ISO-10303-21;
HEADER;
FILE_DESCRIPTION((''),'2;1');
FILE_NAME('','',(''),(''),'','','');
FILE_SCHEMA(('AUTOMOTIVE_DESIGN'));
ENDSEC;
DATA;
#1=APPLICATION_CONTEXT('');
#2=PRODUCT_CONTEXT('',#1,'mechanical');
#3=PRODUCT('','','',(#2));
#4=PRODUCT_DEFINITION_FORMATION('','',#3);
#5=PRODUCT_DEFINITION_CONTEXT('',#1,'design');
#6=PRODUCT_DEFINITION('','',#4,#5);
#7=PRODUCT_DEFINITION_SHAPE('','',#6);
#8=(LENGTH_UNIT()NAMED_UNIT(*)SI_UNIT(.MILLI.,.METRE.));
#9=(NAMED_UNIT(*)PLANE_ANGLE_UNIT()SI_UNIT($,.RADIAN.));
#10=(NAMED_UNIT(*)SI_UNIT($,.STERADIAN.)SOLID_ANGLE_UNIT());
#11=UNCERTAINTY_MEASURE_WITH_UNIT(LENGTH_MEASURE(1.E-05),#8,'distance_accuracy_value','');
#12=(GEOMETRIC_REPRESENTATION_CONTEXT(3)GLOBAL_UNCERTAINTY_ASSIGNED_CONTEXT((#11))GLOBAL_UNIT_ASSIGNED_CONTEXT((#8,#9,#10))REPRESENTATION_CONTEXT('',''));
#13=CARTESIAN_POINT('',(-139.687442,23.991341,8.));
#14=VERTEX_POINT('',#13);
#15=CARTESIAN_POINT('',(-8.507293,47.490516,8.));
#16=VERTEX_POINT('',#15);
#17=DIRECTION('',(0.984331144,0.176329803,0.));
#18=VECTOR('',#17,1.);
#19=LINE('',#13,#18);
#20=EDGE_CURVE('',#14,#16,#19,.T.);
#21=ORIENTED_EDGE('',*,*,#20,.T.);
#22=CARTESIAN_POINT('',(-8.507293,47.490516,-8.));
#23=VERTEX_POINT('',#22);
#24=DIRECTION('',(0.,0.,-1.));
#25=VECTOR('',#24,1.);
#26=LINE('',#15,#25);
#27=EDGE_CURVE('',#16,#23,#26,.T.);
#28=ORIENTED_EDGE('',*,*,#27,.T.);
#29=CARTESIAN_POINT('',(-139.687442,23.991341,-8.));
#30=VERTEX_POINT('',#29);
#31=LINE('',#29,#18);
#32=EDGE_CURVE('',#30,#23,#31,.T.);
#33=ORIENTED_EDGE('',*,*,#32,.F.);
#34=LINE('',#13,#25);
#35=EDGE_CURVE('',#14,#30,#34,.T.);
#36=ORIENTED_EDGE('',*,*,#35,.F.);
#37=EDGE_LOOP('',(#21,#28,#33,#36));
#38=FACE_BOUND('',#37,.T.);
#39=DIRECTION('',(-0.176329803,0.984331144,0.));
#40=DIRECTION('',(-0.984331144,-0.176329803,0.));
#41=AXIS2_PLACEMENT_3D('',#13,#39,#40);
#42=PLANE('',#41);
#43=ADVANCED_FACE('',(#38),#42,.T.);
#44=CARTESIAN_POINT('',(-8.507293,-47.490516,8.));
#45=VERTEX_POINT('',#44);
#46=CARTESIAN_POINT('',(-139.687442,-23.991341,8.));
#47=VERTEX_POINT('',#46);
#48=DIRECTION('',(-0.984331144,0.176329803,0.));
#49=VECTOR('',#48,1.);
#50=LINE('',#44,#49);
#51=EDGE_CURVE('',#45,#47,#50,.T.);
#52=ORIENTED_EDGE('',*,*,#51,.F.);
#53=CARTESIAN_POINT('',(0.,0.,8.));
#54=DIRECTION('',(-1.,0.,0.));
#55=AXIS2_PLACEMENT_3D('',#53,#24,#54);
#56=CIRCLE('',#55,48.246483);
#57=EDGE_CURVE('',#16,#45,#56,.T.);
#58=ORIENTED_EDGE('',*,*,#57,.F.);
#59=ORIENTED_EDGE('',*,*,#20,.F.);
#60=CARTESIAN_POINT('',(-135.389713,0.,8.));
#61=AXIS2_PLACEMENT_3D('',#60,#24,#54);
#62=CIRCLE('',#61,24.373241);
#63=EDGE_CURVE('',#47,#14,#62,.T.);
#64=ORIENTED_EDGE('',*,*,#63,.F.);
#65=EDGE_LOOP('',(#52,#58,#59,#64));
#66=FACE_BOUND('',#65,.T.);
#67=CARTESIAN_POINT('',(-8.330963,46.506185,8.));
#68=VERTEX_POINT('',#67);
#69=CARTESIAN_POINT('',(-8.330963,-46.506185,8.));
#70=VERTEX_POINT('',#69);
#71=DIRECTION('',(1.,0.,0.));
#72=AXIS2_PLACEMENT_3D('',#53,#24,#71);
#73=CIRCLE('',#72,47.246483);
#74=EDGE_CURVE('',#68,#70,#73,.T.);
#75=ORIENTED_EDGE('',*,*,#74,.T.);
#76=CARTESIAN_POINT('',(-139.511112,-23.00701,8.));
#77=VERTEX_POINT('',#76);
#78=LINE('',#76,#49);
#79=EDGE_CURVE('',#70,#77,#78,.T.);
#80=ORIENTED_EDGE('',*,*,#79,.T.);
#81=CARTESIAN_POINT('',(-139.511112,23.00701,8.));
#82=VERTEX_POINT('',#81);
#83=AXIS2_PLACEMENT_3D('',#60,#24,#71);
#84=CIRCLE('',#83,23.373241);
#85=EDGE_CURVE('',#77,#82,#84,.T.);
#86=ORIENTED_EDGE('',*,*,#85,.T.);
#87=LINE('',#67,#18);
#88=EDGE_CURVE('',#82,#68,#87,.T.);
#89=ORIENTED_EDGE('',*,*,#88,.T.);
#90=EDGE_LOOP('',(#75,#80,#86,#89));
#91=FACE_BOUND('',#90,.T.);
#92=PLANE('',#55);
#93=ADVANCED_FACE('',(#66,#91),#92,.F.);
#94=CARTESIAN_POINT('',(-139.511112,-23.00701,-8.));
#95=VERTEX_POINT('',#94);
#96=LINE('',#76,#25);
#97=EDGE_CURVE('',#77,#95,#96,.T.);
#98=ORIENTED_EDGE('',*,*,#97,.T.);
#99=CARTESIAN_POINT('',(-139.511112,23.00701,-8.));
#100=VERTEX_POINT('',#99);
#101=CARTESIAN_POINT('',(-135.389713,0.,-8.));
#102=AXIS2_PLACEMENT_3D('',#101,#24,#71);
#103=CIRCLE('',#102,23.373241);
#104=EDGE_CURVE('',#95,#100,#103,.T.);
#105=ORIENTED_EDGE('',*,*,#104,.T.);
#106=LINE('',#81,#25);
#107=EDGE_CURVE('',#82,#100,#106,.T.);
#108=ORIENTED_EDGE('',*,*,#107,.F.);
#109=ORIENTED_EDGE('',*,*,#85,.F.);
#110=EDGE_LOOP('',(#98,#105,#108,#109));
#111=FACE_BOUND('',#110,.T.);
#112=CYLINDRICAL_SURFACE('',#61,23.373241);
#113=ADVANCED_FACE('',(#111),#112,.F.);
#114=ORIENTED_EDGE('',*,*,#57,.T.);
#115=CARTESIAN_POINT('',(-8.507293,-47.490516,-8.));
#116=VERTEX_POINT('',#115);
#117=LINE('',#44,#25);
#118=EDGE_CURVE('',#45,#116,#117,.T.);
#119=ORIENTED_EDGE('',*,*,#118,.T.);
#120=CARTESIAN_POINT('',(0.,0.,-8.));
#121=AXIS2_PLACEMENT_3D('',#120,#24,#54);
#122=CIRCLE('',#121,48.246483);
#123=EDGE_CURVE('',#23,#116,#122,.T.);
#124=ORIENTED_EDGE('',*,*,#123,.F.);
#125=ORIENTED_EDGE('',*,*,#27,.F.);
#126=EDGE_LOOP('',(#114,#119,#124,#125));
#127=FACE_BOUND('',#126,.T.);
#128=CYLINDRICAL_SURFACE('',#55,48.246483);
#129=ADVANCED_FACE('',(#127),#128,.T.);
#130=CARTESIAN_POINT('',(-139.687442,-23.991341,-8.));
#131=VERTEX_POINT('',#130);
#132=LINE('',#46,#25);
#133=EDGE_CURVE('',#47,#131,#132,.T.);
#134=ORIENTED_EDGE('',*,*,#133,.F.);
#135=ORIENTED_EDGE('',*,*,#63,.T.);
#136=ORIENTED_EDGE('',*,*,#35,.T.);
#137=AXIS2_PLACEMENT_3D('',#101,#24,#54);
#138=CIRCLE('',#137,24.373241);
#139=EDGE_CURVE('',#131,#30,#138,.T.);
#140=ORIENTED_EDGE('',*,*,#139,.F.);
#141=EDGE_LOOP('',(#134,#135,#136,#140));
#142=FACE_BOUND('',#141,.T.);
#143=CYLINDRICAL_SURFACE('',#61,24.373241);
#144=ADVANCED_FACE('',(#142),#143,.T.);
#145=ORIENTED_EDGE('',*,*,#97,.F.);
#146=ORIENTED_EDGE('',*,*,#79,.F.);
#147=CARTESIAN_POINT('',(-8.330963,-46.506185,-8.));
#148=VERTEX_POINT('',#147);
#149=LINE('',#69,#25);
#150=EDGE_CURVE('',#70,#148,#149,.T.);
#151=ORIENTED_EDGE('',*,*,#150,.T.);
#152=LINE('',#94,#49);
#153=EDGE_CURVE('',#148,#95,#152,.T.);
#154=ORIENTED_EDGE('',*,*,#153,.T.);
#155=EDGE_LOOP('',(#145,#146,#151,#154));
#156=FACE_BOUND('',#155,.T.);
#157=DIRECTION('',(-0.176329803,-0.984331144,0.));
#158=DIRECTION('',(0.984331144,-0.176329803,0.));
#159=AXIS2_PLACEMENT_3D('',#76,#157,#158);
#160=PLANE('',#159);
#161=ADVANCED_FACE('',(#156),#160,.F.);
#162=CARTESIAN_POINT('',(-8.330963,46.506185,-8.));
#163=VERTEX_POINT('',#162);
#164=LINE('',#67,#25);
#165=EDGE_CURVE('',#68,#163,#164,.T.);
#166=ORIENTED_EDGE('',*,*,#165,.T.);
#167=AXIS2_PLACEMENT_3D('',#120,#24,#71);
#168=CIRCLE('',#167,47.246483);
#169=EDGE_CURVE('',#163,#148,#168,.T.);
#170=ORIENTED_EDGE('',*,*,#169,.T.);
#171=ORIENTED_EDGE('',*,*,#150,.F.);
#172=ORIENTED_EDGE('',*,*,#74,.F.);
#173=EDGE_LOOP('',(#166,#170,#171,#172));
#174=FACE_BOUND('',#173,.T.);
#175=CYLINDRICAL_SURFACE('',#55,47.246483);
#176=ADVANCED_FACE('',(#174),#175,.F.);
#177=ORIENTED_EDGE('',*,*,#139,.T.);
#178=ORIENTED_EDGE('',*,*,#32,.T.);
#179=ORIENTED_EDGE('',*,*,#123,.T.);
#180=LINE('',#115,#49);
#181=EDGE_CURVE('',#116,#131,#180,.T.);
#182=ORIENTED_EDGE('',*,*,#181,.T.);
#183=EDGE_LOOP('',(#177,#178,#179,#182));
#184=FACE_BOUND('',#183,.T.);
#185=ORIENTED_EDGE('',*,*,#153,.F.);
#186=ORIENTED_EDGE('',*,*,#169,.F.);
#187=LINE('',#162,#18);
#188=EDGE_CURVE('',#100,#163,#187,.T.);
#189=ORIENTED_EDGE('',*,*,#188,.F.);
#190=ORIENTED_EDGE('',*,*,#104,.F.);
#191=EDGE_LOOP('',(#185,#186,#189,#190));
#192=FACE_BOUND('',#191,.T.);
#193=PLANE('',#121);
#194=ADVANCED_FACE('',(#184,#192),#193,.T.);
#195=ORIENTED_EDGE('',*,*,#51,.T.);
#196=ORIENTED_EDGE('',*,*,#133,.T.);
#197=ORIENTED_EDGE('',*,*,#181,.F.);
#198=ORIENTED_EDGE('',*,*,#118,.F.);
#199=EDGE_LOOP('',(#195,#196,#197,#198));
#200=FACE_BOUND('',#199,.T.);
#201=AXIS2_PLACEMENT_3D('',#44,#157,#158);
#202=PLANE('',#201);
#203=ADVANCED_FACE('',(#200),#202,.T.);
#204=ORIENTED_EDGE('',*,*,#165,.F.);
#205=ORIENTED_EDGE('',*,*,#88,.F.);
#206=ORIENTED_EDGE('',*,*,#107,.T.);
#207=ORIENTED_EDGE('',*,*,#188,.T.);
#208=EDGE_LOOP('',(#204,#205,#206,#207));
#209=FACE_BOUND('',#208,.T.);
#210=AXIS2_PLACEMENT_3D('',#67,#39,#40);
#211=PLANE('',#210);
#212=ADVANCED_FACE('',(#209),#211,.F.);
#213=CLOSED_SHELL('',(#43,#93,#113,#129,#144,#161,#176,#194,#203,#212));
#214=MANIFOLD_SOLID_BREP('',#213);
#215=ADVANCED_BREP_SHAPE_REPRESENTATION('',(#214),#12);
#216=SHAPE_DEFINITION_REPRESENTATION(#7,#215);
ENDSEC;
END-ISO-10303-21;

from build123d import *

# Parameters (mm, degrees)
BOSS_EXTRUDE1_DEPTH = 16


with BuildPart() as part:
    # Sketch1 → Boss-Extrude1 (new body)
    with BuildSketch(Plane(origin=(0, 0, -8), x_dir=(-1, 0, 0), z_dir=(0, 0, -1))):
        with BuildLine():
            Line((8.507292851, -47.490515719), (139.687441775, -23.991340645))
            ThreePointArc((139.687441775, -23.991340645), (159.762954363, 0), (139.687441775, 23.991340645))
            Line((139.687441775, 23.991340645), (8.507292851, 47.490515719))
            ThreePointArc((8.507292851, 47.490515719), (-48.246482928, 0), (8.507292851, -47.490515719))
        make_face()
        with BuildLine():
            Line((8.330963048, 46.506184575), (139.511111972, 23.007009502))
            ThreePointArc((139.511111972, 23.007009502), (158.762954363, 0), (139.511111972, -23.007009502))
            Line((139.511111972, -23.007009502), (8.330963048, -46.506184575))
            ThreePointArc((8.330963048, -46.506184575), (-47.246482928, 0), (8.330963048, 46.506184575))
        make_face(mode=Mode.SUBTRACT)
    extrude(amount=-BOSS_EXTRUDE1_DEPTH)


solid = part.part
